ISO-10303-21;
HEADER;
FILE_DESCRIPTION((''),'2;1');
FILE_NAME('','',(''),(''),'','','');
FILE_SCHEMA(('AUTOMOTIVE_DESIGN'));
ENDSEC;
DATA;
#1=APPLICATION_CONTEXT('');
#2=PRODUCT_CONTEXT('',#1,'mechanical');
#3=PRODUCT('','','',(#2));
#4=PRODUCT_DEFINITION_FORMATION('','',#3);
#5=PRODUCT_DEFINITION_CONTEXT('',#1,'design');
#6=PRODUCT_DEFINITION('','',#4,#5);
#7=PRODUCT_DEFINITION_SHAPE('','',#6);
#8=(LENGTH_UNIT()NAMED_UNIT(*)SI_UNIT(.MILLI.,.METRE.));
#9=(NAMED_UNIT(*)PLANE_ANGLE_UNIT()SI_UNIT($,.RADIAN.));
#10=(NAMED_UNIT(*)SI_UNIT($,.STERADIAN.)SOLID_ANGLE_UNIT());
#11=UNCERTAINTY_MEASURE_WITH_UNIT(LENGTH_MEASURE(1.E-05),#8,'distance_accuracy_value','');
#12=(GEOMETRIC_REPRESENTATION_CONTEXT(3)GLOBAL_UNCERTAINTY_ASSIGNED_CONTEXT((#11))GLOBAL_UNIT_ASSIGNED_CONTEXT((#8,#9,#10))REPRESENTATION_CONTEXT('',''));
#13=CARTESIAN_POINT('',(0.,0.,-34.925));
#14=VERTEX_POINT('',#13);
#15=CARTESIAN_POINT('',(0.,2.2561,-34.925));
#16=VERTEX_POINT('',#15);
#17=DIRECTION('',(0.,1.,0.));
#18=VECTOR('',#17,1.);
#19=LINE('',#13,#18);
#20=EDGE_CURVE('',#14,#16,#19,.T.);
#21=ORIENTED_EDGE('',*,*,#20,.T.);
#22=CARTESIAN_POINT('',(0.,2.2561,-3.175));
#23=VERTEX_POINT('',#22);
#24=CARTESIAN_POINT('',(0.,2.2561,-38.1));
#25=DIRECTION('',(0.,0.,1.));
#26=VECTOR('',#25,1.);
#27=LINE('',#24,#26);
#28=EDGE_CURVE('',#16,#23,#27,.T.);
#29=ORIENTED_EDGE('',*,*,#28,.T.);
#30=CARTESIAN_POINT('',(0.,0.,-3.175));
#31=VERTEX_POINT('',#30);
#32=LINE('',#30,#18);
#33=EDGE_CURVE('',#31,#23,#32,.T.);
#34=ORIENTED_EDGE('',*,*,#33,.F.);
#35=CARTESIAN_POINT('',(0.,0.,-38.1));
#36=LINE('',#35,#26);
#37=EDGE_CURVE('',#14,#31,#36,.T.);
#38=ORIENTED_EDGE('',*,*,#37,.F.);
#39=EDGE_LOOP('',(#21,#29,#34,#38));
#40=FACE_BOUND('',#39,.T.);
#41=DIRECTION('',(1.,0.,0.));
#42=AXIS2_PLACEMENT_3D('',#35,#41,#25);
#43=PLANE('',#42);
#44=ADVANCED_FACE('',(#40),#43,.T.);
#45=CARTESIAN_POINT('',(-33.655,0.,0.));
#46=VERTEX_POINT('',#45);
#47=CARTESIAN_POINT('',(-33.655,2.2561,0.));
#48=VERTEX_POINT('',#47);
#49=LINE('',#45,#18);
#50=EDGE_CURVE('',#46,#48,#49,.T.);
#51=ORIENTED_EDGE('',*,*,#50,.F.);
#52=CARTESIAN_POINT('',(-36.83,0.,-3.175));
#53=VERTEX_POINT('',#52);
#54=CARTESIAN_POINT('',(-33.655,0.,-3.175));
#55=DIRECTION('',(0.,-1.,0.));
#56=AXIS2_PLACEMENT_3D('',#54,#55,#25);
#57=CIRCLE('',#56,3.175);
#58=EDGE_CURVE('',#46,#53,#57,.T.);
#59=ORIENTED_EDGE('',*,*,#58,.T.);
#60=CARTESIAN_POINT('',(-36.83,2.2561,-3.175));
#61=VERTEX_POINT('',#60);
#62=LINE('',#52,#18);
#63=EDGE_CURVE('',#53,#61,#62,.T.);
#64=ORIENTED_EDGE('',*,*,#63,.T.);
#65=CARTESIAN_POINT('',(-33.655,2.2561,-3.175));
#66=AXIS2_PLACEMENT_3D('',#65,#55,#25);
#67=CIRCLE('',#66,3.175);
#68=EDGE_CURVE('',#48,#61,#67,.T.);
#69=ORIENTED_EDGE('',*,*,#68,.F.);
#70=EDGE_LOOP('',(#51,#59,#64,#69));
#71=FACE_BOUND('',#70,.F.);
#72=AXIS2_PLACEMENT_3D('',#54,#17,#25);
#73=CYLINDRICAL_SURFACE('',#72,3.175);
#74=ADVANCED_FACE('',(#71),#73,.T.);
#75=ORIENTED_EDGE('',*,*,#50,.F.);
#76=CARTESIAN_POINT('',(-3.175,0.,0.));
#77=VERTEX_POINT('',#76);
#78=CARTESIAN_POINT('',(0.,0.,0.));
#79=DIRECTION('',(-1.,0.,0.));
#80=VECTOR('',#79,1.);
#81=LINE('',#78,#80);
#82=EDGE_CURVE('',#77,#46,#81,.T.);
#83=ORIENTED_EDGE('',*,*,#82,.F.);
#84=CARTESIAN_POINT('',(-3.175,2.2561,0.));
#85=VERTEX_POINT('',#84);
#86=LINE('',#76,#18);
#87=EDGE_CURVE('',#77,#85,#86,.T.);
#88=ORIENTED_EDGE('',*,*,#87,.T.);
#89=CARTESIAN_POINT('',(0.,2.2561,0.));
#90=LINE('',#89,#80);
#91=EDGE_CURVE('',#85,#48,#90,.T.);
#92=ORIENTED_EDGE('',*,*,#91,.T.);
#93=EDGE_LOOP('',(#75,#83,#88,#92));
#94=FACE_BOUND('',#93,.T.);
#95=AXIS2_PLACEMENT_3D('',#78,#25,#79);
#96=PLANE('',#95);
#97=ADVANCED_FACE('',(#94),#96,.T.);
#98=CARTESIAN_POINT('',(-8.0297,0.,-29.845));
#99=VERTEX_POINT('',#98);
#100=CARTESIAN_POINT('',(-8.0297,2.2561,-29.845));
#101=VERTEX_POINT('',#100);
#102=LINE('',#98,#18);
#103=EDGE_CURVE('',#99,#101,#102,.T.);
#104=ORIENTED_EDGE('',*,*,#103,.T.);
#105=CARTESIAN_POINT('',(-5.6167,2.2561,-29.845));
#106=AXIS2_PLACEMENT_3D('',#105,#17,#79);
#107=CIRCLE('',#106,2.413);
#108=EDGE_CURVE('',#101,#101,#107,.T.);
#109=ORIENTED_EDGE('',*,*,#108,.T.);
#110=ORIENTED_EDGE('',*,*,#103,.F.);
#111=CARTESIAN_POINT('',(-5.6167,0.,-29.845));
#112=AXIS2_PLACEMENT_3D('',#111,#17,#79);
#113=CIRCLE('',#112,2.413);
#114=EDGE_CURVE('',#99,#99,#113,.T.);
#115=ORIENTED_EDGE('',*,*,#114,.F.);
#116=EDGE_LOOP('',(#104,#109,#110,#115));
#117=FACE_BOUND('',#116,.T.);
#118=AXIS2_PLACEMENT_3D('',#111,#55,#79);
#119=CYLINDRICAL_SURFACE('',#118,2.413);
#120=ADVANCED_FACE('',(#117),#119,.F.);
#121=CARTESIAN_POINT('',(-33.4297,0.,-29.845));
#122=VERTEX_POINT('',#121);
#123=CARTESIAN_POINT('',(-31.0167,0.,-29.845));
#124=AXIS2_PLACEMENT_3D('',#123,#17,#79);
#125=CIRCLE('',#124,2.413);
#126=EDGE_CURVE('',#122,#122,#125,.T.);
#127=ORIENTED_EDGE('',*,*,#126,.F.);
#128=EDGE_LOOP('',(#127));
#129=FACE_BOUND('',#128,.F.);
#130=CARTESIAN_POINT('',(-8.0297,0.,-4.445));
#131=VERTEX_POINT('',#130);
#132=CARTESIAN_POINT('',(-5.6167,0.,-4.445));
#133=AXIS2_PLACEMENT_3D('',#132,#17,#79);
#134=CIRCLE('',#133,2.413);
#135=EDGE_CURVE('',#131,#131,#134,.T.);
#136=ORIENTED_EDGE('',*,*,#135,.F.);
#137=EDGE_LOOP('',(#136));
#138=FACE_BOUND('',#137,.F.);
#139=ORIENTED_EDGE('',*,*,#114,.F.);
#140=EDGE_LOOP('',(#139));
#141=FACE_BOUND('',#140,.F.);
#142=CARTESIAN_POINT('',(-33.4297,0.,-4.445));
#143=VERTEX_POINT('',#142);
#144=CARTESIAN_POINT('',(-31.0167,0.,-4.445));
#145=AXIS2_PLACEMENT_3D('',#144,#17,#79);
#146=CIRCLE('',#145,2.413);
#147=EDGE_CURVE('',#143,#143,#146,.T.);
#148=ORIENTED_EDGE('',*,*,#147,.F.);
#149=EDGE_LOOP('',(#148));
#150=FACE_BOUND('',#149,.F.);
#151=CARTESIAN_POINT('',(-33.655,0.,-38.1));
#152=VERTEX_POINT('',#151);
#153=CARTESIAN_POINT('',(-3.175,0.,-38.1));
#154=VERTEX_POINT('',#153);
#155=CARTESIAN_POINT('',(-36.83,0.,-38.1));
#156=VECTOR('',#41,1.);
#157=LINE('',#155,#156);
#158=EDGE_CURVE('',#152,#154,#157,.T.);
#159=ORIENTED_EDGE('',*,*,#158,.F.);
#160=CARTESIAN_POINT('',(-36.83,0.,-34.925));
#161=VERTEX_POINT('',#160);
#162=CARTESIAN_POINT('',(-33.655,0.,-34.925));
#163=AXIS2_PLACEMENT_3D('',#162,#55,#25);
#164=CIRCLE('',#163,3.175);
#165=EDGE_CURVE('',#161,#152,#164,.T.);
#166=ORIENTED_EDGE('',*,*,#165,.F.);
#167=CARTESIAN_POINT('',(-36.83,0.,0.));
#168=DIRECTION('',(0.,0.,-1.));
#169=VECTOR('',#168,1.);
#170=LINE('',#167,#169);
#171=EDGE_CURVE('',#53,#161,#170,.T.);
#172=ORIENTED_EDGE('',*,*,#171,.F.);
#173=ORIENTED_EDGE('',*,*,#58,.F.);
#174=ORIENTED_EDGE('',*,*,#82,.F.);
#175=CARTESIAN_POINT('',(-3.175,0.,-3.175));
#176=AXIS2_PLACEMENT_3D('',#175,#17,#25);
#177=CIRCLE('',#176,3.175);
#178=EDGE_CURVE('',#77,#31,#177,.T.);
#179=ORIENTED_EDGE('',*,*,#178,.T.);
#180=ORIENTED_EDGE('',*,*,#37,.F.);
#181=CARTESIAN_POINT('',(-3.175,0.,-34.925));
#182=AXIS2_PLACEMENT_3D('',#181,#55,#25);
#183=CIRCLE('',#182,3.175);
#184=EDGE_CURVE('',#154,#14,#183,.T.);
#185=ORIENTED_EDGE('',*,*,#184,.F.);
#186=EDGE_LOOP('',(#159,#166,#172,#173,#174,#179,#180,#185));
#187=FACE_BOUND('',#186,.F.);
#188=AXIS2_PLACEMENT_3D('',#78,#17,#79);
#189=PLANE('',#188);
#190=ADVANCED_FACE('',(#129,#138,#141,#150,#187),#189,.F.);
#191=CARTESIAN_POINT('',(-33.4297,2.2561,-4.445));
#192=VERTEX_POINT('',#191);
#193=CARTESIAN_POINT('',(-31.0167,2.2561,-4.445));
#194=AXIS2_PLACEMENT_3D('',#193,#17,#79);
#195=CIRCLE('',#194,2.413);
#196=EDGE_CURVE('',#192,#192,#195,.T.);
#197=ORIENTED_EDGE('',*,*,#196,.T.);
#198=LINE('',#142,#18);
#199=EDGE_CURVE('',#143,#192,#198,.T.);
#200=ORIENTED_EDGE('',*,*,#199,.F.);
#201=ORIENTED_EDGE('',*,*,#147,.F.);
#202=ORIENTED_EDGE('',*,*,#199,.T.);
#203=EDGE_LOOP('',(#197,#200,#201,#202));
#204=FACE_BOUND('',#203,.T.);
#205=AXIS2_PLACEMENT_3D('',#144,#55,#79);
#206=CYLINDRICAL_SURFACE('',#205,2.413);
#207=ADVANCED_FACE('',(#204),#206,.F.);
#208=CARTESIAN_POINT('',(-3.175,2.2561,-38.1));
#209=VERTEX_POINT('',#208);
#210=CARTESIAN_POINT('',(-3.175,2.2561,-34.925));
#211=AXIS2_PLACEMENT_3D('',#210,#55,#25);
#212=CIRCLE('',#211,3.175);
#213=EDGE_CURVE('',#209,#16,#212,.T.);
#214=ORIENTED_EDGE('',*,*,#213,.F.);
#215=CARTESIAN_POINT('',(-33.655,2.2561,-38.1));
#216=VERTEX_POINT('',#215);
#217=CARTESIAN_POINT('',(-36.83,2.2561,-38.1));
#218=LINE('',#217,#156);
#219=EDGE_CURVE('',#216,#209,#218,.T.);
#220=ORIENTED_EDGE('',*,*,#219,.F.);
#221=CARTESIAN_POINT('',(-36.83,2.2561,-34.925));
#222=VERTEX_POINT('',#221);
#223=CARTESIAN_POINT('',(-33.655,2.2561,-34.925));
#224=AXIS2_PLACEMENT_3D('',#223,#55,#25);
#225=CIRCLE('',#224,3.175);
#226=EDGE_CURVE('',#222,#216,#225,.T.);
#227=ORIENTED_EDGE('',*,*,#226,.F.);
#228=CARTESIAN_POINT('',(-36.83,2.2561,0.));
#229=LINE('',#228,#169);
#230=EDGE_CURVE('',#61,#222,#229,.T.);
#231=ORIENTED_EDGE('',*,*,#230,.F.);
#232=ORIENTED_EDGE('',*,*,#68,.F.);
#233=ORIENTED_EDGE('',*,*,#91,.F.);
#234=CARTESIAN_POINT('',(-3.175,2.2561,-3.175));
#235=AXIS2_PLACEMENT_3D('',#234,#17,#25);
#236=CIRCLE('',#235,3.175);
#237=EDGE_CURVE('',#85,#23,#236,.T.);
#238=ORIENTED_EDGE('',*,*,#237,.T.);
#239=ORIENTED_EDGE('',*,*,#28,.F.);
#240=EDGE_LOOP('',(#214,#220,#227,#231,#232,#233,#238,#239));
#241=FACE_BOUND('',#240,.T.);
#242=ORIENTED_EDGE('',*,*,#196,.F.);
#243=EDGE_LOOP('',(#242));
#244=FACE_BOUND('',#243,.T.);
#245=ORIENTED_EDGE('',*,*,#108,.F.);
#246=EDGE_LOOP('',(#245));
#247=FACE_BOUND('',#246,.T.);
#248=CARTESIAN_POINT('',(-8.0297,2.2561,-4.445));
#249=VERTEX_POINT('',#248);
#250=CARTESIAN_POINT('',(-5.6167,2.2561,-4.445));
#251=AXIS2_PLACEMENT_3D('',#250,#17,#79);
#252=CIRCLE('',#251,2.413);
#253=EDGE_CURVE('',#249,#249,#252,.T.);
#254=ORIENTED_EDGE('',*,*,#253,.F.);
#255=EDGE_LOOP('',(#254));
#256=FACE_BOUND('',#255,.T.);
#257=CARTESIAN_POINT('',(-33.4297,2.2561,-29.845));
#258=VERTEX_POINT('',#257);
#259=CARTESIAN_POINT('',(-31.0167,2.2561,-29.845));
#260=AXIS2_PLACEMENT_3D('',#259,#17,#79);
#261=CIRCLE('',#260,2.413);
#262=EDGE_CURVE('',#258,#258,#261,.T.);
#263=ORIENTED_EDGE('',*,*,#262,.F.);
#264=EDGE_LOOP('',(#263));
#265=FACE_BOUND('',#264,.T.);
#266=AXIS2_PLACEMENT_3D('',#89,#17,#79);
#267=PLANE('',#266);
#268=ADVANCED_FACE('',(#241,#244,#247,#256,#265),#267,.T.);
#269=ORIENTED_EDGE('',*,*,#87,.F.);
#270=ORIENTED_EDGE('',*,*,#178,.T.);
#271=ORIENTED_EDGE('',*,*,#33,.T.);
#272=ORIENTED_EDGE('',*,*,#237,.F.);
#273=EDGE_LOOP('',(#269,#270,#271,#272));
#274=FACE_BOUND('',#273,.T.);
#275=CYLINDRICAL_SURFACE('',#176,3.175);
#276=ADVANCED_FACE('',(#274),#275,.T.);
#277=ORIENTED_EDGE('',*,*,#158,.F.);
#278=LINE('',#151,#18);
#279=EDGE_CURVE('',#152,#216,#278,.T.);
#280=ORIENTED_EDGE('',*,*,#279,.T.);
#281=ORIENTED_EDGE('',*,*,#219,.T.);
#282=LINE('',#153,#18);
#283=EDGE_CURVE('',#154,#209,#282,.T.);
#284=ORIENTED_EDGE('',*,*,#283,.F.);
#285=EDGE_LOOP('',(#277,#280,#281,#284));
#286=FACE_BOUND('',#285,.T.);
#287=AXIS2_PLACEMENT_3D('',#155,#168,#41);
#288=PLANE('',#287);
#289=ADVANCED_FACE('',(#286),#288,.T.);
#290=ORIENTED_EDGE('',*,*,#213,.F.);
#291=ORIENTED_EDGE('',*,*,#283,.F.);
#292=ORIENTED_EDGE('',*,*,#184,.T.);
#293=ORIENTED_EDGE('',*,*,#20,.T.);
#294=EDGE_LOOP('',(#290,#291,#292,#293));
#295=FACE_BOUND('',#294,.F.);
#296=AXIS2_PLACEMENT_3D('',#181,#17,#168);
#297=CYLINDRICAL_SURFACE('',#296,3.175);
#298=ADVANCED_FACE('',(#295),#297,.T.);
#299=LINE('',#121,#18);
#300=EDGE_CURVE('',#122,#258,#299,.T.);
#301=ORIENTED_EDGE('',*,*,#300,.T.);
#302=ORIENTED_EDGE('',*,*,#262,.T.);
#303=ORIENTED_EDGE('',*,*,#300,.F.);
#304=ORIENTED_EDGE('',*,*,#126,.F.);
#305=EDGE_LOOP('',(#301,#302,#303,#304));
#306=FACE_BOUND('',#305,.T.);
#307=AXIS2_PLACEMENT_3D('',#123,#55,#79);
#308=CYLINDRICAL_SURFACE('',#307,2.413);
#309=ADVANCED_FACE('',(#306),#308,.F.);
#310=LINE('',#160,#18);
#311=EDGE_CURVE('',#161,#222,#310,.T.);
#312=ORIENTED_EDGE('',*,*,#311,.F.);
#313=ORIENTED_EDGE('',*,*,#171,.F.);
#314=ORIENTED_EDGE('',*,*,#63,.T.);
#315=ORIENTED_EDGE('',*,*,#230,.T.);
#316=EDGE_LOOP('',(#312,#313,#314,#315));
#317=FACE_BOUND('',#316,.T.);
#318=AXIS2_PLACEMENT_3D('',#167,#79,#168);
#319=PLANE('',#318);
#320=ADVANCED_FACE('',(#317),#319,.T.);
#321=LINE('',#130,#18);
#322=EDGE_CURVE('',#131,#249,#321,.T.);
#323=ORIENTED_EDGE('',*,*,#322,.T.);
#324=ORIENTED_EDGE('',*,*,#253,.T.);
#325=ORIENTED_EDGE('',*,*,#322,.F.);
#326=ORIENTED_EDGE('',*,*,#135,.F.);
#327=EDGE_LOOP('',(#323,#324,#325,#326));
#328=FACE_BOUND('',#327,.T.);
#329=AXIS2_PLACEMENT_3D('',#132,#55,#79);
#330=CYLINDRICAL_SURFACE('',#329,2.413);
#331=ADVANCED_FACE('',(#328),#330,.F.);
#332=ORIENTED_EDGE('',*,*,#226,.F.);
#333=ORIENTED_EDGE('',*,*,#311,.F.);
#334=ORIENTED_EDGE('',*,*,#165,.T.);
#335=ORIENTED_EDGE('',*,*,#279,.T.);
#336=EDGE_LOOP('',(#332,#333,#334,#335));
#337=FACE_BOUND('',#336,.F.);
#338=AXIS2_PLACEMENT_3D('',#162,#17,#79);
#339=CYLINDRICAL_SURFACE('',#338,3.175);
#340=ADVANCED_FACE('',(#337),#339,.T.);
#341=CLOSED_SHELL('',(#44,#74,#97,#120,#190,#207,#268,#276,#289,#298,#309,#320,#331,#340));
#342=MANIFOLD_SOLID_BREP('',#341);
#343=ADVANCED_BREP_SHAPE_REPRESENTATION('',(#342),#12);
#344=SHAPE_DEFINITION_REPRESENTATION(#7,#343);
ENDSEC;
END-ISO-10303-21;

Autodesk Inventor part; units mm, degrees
ref_plane "YZ Plane" through (0, 0, 0) normal (1, 0, 0) x (0, 1, 0)
ref_plane "XZ Plane" through (0, 0, 0) normal (0, 1, 0) x (-1, 0, 0)
ref_plane "XY Plane" through (0, 0, 0) normal (0, 0, 1) x (1, 0, 0)
sketch "Sketch1" plane through (0, 0, 0) normal (0, 1, 0) x (-1, 0, 0)
  line L0 (0, 0) -> (36.83, 0)
  line L1 (36.83, 0) -> (36.83, -38.1)
  line L2 (36.83, -38.1) -> (0, -38.1)
  line L3 (0, -38.1) -> (0, 0)
  circle A0 centre (31.0167, -4.445) radius 2.413
  circle A1 centre (31.0167, -29.845) radius 2.413
  circle A2 centre (5.6167, -4.445) radius 2.413
  circle A3 centre (5.6167, -29.845) radius 2.413
  dimension "d0" = 4.826
  dimension "d1" = 38.1
  dimension "d2" = 36.83
  dimension "d3" = 4.445
  dimension "d4" = 5.8133
  dimension "d7" = 25.4
  dimension "d10" = 25.4
extrude "Extrusion1" add sketch "Sketch1" along normal blind 2.2561
fillet "Fillet1" radius 3.175 4 edges at (0, 1.1281, 0) (-36.83, 1.1281, 0) (0, 1.1281, -38.1) (-36.83, 1.1281, -38.1)
properties part number "SportGearBox_offsetPlate"
